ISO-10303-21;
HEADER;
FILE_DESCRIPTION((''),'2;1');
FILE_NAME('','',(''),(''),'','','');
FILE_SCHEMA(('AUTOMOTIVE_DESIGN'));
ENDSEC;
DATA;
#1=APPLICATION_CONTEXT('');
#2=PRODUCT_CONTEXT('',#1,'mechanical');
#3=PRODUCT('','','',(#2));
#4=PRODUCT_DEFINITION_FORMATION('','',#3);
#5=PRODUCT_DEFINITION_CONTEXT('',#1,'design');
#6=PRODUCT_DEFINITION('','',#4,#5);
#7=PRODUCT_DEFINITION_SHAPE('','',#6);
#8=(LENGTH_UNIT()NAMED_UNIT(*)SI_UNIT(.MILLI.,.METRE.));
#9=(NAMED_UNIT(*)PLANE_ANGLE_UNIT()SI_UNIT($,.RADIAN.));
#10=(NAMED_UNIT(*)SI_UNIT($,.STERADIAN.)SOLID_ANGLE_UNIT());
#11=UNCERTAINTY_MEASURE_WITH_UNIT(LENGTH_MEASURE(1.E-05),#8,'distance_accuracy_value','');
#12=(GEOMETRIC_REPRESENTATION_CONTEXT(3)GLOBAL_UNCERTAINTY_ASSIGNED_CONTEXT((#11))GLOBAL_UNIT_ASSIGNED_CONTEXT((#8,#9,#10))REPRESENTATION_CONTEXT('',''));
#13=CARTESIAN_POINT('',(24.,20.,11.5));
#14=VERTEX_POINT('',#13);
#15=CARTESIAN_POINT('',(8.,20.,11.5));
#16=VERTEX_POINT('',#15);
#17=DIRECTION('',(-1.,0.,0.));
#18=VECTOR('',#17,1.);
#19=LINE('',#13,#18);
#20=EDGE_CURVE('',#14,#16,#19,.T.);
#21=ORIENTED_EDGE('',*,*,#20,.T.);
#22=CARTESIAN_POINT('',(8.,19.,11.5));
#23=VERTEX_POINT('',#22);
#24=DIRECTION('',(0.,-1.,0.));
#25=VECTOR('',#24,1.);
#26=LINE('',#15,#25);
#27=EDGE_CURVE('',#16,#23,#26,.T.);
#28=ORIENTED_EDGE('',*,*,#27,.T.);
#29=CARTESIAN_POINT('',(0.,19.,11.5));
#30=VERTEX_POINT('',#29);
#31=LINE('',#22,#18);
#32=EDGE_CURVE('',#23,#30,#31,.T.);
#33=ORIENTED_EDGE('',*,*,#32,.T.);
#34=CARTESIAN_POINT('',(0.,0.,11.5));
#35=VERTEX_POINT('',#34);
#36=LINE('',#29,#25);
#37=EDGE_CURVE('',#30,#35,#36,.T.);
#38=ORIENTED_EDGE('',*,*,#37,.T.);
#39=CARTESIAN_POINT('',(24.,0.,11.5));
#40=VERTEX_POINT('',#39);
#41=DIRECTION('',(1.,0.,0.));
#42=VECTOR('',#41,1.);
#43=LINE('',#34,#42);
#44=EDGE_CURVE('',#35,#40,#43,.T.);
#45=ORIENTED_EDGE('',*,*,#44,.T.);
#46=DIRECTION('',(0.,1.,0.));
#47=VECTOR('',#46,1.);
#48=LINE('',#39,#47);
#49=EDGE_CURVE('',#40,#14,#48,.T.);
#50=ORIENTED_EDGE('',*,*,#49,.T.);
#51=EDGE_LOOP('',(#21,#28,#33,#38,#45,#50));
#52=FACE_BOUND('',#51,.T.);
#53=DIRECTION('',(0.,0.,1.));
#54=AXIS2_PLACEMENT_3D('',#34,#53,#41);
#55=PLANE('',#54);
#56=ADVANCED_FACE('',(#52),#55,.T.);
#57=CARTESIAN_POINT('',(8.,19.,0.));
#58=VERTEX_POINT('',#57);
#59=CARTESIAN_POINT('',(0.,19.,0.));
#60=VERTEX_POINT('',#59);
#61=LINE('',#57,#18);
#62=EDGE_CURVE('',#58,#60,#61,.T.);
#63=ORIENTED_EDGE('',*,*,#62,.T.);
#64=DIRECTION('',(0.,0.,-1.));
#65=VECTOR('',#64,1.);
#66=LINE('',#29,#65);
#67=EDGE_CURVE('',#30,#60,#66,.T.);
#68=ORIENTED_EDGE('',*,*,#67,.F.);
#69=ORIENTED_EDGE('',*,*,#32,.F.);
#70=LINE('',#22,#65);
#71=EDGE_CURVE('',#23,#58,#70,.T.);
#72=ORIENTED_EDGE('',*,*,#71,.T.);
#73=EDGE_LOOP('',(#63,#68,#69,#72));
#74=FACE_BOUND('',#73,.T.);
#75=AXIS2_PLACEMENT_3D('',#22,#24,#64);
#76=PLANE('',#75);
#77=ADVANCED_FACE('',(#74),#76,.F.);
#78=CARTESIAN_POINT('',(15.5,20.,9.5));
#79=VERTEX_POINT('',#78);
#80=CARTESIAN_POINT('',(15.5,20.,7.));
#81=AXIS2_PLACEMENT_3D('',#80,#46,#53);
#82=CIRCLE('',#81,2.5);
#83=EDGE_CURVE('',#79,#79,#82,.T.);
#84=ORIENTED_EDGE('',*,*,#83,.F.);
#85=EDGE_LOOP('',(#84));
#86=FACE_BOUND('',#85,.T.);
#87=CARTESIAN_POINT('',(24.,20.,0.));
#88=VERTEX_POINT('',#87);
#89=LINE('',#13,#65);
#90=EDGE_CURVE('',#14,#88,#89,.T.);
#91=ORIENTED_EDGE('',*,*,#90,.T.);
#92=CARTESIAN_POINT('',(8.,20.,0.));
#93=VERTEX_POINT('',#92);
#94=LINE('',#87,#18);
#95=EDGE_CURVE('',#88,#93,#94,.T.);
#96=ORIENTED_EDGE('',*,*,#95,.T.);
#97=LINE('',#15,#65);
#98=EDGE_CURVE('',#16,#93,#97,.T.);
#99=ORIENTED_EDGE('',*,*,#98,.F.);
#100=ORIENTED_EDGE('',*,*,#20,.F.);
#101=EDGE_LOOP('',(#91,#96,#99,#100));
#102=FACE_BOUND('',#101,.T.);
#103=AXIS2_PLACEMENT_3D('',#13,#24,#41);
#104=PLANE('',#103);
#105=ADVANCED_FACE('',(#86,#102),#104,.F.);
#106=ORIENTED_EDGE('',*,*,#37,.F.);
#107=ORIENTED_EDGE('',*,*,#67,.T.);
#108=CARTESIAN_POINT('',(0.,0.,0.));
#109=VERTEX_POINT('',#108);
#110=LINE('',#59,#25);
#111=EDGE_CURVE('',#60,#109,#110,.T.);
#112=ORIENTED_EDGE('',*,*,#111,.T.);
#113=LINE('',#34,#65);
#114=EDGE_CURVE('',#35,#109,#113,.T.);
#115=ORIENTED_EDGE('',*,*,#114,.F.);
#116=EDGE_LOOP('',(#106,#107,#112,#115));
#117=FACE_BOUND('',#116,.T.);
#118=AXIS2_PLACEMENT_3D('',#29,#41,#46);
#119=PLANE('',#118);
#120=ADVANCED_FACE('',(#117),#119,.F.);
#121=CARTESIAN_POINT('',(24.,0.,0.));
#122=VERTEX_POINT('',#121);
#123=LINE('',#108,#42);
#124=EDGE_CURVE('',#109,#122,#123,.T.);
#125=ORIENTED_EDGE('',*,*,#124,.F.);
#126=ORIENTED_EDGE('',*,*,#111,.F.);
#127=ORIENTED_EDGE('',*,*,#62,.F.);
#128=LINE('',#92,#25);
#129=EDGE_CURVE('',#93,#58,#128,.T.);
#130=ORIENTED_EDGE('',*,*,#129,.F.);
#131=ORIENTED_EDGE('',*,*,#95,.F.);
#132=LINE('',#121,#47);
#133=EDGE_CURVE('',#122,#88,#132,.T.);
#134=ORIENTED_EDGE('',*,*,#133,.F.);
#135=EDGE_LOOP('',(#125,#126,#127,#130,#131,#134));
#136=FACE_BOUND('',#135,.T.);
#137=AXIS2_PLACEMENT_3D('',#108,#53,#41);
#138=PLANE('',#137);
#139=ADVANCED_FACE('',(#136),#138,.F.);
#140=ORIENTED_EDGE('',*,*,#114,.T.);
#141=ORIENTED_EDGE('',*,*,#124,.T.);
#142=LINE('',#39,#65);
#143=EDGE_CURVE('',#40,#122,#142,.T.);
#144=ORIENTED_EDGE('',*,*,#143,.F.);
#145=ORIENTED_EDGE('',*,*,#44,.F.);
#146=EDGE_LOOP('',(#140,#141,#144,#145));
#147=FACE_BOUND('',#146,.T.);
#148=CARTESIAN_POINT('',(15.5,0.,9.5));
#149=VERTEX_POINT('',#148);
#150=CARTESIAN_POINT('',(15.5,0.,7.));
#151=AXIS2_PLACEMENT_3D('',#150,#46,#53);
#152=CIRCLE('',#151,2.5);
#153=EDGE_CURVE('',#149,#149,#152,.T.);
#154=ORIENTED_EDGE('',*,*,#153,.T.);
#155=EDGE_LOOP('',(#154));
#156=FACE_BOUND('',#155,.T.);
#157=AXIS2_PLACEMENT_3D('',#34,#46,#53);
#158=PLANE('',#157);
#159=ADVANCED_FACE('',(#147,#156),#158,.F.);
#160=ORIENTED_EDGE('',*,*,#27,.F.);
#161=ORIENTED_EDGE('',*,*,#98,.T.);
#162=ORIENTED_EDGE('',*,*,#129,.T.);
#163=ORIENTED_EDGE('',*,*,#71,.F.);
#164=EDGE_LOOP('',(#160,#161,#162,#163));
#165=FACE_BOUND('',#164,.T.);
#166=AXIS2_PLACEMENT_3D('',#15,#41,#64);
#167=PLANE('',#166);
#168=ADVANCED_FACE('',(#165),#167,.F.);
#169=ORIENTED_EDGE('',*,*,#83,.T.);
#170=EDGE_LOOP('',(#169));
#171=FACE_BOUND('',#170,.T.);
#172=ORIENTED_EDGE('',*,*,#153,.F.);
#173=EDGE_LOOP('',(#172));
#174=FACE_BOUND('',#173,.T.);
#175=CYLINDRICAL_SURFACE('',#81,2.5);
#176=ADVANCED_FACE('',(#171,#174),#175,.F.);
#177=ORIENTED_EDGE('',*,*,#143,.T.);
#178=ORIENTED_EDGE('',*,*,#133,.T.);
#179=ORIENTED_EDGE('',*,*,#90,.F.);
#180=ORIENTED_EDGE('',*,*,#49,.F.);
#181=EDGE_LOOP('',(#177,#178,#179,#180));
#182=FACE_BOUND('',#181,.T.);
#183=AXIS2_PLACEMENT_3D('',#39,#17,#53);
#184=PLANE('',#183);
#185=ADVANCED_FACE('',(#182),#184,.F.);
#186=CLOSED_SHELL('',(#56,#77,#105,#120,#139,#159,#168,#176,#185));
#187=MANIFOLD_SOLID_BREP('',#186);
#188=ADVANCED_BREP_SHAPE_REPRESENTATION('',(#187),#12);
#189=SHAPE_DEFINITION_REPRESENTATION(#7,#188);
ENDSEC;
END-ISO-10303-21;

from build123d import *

# Parameters (mm, degrees)
BOSS_EXTRUDE1_DEPTH   = 11.5
M6X1_0_TAPPED_HOLE1_D = 5


with BuildPart() as part:
    # Sketch1 → Boss-Extrude1 (new body)
    with BuildSketch(Plane.XY):
        Polygon((0, 0), (24, 0), (24, 20), (8, 20), (8, 19), (0, 19), align=None)
    extrude(amount=BOSS_EXTRUDE1_DEPTH)

    # M6x1.0 Tapped Hole1 (through all)
    with Locations(Plane(origin=(0, 20, 0), x_dir=(1, 0, 0), z_dir=(0, 1, 0))):
        with Locations((15.5, -7)):
            Hole(M6X1_0_TAPPED_HOLE1_D / 2)


solid = part.part
